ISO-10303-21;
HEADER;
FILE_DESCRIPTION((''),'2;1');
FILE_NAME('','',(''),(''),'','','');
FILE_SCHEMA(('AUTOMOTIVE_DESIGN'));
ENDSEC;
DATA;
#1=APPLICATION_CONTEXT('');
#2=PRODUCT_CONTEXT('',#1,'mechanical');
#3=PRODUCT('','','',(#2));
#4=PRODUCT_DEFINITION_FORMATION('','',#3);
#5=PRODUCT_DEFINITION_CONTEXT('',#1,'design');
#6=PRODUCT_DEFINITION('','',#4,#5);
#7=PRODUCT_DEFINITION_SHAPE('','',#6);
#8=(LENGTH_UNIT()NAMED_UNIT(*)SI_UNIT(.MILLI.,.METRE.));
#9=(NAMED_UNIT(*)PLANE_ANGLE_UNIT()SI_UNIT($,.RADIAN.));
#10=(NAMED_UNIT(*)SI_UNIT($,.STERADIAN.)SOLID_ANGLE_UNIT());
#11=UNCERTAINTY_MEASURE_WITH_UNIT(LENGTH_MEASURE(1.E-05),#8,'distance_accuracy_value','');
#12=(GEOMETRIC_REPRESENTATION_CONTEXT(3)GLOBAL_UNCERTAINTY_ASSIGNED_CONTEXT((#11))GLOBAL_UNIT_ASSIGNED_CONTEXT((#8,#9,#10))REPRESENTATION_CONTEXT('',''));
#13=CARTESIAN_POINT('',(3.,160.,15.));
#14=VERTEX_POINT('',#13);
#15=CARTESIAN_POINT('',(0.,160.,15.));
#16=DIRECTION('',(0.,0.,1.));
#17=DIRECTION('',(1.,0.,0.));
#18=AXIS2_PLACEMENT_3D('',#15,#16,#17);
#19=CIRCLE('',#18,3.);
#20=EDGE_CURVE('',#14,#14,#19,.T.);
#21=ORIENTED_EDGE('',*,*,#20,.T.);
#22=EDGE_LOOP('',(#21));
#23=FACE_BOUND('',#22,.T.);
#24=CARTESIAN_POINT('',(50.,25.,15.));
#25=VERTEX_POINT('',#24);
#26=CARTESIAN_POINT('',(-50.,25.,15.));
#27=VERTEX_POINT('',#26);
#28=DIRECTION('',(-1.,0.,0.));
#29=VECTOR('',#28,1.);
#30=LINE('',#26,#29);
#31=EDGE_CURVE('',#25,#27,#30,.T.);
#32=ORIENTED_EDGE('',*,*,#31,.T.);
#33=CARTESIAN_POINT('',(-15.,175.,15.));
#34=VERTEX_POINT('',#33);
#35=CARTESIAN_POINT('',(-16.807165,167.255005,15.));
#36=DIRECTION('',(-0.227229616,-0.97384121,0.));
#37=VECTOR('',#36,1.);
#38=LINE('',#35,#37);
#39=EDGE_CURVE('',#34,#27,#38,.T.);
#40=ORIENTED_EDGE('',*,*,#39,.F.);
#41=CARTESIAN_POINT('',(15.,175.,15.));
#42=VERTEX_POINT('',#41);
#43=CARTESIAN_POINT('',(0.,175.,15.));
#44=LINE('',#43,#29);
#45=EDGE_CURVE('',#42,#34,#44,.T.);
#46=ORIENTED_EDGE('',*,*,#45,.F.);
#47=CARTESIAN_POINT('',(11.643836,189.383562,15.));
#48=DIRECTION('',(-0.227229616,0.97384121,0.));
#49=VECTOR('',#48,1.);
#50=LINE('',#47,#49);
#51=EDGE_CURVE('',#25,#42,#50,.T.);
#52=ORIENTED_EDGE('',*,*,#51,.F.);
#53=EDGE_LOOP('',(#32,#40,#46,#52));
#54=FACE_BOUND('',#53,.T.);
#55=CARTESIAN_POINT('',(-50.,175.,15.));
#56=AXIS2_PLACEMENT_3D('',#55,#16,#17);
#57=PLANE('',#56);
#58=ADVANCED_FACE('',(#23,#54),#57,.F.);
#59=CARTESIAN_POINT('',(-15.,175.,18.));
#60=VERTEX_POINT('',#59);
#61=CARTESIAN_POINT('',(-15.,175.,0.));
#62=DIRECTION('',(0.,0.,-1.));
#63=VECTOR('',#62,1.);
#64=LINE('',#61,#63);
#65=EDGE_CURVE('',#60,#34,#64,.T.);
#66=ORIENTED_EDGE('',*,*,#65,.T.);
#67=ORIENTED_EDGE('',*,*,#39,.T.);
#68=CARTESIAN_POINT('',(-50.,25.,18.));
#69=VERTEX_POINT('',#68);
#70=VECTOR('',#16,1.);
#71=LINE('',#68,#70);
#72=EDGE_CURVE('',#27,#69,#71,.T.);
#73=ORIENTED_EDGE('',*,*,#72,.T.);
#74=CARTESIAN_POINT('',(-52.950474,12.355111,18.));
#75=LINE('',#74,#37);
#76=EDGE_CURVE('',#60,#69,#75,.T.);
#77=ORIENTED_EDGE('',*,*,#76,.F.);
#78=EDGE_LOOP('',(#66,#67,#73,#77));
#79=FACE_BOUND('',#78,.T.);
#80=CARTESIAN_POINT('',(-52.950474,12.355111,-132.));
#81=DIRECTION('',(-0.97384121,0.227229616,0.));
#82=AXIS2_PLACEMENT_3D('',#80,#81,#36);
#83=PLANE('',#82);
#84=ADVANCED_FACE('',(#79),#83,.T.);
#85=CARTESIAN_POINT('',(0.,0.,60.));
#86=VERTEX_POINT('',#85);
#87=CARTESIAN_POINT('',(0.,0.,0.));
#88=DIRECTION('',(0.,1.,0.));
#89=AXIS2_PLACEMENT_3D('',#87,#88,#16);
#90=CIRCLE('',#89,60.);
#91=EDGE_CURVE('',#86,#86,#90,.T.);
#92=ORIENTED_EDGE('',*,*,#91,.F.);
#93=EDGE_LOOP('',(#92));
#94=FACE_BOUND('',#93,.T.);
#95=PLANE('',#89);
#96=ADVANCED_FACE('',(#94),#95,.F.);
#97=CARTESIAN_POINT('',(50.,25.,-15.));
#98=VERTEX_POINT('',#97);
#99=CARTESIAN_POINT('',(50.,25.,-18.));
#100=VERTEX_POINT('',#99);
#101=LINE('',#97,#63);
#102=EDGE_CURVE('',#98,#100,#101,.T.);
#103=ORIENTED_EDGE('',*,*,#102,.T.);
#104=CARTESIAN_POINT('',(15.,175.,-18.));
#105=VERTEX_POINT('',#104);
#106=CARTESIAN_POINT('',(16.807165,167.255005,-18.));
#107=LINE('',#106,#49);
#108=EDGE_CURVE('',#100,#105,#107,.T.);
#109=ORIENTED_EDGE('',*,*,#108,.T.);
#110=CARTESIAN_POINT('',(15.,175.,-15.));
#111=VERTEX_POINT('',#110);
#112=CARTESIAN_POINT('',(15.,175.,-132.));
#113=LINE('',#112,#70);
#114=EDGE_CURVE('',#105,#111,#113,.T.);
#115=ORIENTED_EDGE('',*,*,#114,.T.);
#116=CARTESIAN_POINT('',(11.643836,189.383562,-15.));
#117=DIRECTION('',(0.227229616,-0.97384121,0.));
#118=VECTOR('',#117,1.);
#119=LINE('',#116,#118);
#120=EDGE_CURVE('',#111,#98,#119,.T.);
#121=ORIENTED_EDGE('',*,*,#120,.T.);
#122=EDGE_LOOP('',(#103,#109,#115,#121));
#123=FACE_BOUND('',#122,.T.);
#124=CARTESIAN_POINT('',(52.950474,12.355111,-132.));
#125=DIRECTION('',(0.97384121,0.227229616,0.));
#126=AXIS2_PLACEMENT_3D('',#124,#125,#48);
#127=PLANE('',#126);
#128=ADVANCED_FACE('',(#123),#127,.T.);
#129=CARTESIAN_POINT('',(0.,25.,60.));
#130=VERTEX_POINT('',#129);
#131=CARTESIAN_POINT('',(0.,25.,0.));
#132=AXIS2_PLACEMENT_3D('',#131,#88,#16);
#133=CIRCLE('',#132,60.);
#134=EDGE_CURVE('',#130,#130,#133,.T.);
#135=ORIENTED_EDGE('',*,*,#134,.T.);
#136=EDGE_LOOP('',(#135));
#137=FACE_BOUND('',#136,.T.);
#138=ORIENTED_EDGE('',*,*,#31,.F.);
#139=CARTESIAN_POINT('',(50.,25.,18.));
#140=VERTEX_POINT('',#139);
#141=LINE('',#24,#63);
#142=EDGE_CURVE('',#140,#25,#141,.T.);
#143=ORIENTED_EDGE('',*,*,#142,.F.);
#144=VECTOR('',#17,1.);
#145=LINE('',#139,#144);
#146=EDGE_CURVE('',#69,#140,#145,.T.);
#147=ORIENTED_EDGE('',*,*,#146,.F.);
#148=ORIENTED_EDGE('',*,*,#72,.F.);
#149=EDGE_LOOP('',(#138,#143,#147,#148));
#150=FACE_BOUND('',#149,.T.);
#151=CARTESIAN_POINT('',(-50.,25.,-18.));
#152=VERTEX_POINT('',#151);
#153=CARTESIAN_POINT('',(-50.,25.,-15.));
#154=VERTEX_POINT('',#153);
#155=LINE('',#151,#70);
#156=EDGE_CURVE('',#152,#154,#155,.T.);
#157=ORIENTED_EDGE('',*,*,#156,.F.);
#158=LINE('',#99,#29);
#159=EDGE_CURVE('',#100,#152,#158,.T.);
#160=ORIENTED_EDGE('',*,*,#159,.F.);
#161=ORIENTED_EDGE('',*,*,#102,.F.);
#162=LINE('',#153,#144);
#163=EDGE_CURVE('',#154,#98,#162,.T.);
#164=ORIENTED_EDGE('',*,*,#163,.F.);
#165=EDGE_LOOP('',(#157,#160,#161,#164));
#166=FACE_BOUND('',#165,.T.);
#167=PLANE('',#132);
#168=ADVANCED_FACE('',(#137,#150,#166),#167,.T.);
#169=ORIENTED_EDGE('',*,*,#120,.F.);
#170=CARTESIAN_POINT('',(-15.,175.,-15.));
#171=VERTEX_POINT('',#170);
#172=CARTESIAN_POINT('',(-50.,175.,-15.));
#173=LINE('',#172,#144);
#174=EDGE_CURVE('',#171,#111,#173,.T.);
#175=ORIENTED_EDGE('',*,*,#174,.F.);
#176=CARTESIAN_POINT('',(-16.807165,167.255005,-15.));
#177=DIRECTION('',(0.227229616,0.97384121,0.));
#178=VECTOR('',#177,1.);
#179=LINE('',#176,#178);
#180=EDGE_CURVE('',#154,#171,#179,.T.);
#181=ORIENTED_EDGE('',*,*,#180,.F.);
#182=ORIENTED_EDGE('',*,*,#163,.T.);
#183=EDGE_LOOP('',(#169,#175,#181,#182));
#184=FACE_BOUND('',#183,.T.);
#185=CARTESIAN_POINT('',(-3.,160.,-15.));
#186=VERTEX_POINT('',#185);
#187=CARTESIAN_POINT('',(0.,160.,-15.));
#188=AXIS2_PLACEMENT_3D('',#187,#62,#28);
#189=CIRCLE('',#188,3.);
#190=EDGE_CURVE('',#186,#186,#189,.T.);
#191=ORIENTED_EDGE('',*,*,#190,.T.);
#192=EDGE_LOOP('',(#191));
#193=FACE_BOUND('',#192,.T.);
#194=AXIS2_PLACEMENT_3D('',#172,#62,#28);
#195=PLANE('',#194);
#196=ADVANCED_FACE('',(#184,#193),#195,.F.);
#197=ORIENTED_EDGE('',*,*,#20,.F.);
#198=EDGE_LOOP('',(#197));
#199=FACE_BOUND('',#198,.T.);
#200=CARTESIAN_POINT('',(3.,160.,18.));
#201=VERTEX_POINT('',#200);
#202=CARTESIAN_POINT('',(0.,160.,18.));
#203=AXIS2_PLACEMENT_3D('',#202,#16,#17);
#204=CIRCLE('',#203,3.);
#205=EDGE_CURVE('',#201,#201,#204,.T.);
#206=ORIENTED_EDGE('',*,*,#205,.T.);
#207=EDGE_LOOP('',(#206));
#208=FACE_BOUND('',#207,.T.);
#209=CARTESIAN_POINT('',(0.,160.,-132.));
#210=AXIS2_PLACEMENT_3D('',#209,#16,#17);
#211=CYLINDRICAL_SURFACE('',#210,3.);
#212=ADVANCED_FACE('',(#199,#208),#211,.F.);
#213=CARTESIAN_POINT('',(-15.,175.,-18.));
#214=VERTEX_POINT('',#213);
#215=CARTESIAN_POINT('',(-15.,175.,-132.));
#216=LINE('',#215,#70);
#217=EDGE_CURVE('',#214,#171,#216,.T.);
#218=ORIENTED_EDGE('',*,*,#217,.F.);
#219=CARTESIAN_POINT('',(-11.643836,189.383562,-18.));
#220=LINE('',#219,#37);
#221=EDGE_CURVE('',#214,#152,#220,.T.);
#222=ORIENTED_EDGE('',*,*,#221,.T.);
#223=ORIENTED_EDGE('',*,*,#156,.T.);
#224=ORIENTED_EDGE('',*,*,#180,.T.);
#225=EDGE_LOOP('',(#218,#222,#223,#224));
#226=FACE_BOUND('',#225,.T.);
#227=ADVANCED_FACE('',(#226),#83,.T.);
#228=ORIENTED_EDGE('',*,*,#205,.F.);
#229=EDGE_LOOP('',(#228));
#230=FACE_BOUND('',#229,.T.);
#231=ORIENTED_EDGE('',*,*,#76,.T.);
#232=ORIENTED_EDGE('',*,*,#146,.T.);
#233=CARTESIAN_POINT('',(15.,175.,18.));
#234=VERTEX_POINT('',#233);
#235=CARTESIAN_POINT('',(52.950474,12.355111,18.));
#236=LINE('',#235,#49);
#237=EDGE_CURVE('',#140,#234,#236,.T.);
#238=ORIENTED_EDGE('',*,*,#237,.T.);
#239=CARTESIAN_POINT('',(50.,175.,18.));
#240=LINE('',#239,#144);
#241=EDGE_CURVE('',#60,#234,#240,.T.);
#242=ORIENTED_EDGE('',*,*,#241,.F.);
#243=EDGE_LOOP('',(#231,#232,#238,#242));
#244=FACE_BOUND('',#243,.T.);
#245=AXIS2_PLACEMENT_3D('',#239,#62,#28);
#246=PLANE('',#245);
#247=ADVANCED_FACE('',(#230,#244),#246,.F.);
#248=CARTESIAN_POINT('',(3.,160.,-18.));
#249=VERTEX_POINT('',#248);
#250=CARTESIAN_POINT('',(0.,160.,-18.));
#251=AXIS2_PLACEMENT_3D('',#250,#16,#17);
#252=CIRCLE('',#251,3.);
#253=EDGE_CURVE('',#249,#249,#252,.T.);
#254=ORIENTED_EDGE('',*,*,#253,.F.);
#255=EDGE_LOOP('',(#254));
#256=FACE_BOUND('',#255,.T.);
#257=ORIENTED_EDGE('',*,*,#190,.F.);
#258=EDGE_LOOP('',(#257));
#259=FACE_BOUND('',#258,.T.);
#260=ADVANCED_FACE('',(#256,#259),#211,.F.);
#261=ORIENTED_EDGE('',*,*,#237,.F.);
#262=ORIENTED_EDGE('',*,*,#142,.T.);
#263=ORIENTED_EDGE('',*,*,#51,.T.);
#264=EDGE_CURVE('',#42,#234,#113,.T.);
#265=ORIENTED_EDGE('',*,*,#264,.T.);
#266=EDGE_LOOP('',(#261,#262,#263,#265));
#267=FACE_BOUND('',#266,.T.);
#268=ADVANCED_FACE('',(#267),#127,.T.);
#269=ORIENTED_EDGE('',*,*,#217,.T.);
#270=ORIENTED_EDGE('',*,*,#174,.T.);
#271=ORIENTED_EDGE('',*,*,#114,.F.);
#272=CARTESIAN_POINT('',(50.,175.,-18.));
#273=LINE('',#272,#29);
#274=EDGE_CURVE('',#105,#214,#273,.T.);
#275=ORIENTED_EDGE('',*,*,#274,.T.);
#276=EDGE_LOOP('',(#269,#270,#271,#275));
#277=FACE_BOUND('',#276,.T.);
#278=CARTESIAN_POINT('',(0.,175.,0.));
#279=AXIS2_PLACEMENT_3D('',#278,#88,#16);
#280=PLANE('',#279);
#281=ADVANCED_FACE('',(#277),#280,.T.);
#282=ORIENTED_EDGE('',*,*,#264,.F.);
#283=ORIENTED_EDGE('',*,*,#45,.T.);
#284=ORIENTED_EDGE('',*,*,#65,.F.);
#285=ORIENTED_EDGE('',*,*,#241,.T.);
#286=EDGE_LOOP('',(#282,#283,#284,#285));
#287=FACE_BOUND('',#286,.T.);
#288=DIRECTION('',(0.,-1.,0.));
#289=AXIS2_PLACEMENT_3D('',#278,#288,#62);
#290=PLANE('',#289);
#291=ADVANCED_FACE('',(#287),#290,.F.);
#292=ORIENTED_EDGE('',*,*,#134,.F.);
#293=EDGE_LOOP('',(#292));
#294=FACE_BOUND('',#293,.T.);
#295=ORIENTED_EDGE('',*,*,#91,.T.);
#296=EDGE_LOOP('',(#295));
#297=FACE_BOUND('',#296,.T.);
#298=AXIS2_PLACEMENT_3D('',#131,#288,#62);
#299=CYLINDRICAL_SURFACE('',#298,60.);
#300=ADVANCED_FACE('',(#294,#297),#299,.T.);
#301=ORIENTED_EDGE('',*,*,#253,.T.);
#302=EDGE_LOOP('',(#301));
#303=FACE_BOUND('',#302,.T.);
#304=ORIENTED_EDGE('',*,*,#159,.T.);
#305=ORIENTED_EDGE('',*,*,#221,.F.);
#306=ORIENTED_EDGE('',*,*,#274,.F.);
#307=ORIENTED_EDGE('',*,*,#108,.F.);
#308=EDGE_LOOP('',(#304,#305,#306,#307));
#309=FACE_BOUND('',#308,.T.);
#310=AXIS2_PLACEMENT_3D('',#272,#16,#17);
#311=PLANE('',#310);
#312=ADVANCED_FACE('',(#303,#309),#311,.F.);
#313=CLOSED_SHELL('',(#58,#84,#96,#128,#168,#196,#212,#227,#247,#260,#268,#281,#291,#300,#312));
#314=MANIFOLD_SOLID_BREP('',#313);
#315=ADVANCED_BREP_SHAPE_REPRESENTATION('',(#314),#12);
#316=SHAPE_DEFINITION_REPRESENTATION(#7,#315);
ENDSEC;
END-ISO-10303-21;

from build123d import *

# Parameters (mm, degrees)
CROQUIS1_R              = 60
SALIENTE_EXTRUIR3_DEPTH = 25
CROQUIS4_W              = 100
CROQUIS4_H              = 3
SALIENTE_EXTRUIR5_DEPTH = 150
CORTAR_EXTRUIR3_DEPTH   = 150
CROQUIS11_R             = 3
CORTAR_EXTRUIR4_DEPTH   = 150


with BuildPart() as part:
    # Croquis1 → Saliente-Extruir3 (new body)
    with BuildSketch(Plane(origin=(0, 0, 0), x_dir=(1, 0, 0), z_dir=(0, 1, 0))):
        Circle(CROQUIS1_R)
    extrude(amount=SALIENTE_EXTRUIR3_DEPTH)

    # Croquis4 → Saliente-Extruir5 (add)
    with BuildSketch(Plane(origin=(0, 25, 0), x_dir=(1, 0, 0), z_dir=(0, 1, 0))):
        with Locations((0, 16.5)):
            Rectangle(CROQUIS4_W, CROQUIS4_H)
        Polygon((0, -15), (50, -15), (50, -18), (-50, -18), (-50, -15), align=None)
    extrude(amount=SALIENTE_EXTRUIR5_DEPTH)

    # Croquis10 → Cortar-Extruir3 (cut)
    with BuildSketch(Plane.XY.offset(18)):
        Polygon((-50, 175), (-15, 175), (-50, 25), align=None)
        Polygon((50, 25), (15, 175), (50, 175), align=None)
    extrude(amount=-CORTAR_EXTRUIR3_DEPTH, mode=Mode.SUBTRACT)

    # Croquis11 → Cortar-Extruir4 (cut)
    with BuildSketch(Plane.XY.offset(18)):
        with Locations((0, 160)):
            Circle(CROQUIS11_R)
    extrude(amount=-CORTAR_EXTRUIR4_DEPTH, mode=Mode.SUBTRACT)


solid = part.part
